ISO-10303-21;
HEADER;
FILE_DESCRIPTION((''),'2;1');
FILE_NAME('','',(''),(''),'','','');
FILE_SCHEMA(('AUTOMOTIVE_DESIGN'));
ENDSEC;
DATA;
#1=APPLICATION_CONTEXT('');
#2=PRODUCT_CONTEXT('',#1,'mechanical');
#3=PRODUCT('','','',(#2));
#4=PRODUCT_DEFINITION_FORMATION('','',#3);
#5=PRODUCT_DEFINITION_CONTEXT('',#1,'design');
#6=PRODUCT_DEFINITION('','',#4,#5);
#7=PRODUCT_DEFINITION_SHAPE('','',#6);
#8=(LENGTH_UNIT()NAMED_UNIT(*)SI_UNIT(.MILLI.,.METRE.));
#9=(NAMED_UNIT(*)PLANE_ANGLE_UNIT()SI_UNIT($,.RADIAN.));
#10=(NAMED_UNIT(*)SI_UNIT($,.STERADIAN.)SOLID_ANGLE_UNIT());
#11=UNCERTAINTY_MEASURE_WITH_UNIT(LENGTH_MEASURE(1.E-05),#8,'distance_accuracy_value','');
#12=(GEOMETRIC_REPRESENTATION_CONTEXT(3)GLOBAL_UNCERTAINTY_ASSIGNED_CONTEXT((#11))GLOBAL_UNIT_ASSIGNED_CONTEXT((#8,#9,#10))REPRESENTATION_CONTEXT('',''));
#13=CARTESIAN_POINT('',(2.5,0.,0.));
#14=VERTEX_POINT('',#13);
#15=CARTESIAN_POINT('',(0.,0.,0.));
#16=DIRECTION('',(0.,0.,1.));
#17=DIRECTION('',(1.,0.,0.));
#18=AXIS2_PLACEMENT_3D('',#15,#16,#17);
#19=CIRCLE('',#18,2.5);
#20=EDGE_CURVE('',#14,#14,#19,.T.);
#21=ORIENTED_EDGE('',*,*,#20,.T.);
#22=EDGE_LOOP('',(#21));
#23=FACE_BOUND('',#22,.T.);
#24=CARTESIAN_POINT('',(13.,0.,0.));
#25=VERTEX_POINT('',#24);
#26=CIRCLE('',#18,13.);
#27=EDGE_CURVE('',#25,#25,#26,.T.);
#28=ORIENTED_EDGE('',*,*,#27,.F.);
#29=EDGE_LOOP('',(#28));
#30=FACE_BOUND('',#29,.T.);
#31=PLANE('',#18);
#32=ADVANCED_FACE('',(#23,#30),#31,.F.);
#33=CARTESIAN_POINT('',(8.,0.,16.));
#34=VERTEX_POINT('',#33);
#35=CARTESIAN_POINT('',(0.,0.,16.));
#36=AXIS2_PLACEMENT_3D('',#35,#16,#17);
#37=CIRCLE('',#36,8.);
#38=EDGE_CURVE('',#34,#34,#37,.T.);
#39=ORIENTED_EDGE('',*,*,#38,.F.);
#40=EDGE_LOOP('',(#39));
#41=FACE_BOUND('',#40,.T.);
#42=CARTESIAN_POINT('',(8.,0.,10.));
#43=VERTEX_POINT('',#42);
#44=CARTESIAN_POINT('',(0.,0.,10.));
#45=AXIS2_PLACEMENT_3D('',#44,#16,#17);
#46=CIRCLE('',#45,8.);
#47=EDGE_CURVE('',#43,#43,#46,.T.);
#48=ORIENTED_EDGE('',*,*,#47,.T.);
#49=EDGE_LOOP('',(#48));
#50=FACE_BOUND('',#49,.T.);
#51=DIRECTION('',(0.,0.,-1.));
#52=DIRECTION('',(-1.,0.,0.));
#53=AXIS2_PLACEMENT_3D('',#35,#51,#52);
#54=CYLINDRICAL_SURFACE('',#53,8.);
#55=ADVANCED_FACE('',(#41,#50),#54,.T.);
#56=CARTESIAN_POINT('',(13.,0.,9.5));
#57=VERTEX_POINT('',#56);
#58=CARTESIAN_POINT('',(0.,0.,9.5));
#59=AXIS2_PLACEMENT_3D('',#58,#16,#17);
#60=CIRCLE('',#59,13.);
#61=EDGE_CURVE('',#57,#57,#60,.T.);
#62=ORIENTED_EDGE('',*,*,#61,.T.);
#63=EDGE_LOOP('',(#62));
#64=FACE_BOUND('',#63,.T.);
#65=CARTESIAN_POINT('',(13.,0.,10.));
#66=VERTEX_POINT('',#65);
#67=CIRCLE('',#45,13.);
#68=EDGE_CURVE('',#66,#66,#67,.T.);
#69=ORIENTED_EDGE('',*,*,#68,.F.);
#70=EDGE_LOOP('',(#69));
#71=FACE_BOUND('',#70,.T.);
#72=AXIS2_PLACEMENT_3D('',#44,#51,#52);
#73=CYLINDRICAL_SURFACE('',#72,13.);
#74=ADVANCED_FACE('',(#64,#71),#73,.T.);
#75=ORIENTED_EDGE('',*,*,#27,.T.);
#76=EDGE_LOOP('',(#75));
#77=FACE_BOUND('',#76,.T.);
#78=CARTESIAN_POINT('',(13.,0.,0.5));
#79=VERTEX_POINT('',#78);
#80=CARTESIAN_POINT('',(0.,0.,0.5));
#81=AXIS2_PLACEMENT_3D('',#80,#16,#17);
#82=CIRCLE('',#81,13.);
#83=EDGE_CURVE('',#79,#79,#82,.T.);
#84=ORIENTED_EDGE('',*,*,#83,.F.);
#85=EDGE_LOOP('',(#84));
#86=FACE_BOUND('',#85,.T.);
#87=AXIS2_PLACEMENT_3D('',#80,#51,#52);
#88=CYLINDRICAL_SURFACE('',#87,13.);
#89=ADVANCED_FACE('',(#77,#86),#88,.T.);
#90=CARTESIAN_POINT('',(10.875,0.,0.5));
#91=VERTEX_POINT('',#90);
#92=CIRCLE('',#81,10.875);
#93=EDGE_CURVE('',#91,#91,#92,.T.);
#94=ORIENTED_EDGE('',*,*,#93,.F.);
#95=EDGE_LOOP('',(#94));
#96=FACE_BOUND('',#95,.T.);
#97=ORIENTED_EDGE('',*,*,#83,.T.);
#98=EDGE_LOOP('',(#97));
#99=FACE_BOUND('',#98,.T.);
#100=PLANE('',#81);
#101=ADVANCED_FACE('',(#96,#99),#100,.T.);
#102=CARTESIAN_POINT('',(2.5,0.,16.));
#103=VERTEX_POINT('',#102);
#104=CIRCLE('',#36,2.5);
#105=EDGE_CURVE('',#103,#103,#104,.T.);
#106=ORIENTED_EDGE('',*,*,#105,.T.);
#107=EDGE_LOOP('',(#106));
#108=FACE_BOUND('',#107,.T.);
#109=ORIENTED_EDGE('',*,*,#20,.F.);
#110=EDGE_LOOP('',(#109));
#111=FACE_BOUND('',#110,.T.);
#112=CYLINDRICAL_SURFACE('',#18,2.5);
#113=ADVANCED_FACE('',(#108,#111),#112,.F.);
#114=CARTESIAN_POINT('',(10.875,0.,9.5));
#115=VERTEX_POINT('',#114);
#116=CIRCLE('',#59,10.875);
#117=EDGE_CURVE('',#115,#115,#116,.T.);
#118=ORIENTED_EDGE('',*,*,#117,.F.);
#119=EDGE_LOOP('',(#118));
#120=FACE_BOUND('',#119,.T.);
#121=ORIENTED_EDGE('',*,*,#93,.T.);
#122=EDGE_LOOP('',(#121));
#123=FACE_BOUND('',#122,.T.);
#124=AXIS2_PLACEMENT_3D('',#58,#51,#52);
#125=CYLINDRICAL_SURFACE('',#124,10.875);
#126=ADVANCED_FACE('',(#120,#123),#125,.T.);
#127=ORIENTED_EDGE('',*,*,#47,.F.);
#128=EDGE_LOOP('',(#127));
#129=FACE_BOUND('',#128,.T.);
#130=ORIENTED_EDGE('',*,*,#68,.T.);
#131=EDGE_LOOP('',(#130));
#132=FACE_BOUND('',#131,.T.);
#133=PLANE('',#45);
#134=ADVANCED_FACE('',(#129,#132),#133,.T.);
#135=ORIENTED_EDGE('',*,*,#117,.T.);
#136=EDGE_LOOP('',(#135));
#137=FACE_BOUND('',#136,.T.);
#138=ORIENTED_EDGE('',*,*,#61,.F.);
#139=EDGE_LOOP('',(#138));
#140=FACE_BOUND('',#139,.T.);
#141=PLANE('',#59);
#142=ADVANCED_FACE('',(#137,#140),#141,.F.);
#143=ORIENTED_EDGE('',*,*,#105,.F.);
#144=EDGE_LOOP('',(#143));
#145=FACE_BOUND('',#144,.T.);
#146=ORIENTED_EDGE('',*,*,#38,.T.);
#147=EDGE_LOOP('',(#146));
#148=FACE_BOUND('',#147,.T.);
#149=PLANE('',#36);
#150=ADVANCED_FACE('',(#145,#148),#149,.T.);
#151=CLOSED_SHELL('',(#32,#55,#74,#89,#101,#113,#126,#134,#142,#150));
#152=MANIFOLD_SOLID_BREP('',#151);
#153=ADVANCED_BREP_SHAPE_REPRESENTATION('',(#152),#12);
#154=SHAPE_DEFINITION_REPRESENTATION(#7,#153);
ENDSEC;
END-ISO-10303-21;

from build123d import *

# Parameters (mm, degrees)
ESQUISSE1_R      = 13
EXTRUSION1_DEPTH = 0.5
ESQUISSE2_R      = 10.875
EXTRUSION2_DEPTH = 9
ESQUISSE3_R      = 13
EXTRUSION3_DEPTH = 0.5
ESQUISSE4_R      = 8
EXTRUSION4_DEPTH = 6
ESQUISSE5_R      = 2.5
EXTRUSION5_DEPTH = 25.372115214


with BuildPart() as part:
    # Esquisse1 → Extrusion1 (new body)
    with BuildSketch(Plane.XY):
        Circle(ESQUISSE1_R)
    extrude(amount=EXTRUSION1_DEPTH)

    # Esquisse2 → Extrusion2 (add)
    with BuildSketch(Plane.XY.offset(0.5)):
        Circle(ESQUISSE2_R)
    extrude(amount=EXTRUSION2_DEPTH)

    # Esquisse3 → Extrusion3 (add)
    with BuildSketch(Plane.XY.offset(9.5)):
        Circle(ESQUISSE3_R)
    extrude(amount=EXTRUSION3_DEPTH)

    # Esquisse4 → Extrusion4 (add)
    with BuildSketch(Plane.XY.offset(10)):
        Circle(ESQUISSE4_R)
    extrude(amount=EXTRUSION4_DEPTH)

    # Esquisse5 → Extrusion5 (cut, through all)
    with BuildSketch(Plane.XY.offset(16)):
        Circle(ESQUISSE5_R)
    extrude(amount=-EXTRUSION5_DEPTH, mode=Mode.SUBTRACT)


solid = part.part
